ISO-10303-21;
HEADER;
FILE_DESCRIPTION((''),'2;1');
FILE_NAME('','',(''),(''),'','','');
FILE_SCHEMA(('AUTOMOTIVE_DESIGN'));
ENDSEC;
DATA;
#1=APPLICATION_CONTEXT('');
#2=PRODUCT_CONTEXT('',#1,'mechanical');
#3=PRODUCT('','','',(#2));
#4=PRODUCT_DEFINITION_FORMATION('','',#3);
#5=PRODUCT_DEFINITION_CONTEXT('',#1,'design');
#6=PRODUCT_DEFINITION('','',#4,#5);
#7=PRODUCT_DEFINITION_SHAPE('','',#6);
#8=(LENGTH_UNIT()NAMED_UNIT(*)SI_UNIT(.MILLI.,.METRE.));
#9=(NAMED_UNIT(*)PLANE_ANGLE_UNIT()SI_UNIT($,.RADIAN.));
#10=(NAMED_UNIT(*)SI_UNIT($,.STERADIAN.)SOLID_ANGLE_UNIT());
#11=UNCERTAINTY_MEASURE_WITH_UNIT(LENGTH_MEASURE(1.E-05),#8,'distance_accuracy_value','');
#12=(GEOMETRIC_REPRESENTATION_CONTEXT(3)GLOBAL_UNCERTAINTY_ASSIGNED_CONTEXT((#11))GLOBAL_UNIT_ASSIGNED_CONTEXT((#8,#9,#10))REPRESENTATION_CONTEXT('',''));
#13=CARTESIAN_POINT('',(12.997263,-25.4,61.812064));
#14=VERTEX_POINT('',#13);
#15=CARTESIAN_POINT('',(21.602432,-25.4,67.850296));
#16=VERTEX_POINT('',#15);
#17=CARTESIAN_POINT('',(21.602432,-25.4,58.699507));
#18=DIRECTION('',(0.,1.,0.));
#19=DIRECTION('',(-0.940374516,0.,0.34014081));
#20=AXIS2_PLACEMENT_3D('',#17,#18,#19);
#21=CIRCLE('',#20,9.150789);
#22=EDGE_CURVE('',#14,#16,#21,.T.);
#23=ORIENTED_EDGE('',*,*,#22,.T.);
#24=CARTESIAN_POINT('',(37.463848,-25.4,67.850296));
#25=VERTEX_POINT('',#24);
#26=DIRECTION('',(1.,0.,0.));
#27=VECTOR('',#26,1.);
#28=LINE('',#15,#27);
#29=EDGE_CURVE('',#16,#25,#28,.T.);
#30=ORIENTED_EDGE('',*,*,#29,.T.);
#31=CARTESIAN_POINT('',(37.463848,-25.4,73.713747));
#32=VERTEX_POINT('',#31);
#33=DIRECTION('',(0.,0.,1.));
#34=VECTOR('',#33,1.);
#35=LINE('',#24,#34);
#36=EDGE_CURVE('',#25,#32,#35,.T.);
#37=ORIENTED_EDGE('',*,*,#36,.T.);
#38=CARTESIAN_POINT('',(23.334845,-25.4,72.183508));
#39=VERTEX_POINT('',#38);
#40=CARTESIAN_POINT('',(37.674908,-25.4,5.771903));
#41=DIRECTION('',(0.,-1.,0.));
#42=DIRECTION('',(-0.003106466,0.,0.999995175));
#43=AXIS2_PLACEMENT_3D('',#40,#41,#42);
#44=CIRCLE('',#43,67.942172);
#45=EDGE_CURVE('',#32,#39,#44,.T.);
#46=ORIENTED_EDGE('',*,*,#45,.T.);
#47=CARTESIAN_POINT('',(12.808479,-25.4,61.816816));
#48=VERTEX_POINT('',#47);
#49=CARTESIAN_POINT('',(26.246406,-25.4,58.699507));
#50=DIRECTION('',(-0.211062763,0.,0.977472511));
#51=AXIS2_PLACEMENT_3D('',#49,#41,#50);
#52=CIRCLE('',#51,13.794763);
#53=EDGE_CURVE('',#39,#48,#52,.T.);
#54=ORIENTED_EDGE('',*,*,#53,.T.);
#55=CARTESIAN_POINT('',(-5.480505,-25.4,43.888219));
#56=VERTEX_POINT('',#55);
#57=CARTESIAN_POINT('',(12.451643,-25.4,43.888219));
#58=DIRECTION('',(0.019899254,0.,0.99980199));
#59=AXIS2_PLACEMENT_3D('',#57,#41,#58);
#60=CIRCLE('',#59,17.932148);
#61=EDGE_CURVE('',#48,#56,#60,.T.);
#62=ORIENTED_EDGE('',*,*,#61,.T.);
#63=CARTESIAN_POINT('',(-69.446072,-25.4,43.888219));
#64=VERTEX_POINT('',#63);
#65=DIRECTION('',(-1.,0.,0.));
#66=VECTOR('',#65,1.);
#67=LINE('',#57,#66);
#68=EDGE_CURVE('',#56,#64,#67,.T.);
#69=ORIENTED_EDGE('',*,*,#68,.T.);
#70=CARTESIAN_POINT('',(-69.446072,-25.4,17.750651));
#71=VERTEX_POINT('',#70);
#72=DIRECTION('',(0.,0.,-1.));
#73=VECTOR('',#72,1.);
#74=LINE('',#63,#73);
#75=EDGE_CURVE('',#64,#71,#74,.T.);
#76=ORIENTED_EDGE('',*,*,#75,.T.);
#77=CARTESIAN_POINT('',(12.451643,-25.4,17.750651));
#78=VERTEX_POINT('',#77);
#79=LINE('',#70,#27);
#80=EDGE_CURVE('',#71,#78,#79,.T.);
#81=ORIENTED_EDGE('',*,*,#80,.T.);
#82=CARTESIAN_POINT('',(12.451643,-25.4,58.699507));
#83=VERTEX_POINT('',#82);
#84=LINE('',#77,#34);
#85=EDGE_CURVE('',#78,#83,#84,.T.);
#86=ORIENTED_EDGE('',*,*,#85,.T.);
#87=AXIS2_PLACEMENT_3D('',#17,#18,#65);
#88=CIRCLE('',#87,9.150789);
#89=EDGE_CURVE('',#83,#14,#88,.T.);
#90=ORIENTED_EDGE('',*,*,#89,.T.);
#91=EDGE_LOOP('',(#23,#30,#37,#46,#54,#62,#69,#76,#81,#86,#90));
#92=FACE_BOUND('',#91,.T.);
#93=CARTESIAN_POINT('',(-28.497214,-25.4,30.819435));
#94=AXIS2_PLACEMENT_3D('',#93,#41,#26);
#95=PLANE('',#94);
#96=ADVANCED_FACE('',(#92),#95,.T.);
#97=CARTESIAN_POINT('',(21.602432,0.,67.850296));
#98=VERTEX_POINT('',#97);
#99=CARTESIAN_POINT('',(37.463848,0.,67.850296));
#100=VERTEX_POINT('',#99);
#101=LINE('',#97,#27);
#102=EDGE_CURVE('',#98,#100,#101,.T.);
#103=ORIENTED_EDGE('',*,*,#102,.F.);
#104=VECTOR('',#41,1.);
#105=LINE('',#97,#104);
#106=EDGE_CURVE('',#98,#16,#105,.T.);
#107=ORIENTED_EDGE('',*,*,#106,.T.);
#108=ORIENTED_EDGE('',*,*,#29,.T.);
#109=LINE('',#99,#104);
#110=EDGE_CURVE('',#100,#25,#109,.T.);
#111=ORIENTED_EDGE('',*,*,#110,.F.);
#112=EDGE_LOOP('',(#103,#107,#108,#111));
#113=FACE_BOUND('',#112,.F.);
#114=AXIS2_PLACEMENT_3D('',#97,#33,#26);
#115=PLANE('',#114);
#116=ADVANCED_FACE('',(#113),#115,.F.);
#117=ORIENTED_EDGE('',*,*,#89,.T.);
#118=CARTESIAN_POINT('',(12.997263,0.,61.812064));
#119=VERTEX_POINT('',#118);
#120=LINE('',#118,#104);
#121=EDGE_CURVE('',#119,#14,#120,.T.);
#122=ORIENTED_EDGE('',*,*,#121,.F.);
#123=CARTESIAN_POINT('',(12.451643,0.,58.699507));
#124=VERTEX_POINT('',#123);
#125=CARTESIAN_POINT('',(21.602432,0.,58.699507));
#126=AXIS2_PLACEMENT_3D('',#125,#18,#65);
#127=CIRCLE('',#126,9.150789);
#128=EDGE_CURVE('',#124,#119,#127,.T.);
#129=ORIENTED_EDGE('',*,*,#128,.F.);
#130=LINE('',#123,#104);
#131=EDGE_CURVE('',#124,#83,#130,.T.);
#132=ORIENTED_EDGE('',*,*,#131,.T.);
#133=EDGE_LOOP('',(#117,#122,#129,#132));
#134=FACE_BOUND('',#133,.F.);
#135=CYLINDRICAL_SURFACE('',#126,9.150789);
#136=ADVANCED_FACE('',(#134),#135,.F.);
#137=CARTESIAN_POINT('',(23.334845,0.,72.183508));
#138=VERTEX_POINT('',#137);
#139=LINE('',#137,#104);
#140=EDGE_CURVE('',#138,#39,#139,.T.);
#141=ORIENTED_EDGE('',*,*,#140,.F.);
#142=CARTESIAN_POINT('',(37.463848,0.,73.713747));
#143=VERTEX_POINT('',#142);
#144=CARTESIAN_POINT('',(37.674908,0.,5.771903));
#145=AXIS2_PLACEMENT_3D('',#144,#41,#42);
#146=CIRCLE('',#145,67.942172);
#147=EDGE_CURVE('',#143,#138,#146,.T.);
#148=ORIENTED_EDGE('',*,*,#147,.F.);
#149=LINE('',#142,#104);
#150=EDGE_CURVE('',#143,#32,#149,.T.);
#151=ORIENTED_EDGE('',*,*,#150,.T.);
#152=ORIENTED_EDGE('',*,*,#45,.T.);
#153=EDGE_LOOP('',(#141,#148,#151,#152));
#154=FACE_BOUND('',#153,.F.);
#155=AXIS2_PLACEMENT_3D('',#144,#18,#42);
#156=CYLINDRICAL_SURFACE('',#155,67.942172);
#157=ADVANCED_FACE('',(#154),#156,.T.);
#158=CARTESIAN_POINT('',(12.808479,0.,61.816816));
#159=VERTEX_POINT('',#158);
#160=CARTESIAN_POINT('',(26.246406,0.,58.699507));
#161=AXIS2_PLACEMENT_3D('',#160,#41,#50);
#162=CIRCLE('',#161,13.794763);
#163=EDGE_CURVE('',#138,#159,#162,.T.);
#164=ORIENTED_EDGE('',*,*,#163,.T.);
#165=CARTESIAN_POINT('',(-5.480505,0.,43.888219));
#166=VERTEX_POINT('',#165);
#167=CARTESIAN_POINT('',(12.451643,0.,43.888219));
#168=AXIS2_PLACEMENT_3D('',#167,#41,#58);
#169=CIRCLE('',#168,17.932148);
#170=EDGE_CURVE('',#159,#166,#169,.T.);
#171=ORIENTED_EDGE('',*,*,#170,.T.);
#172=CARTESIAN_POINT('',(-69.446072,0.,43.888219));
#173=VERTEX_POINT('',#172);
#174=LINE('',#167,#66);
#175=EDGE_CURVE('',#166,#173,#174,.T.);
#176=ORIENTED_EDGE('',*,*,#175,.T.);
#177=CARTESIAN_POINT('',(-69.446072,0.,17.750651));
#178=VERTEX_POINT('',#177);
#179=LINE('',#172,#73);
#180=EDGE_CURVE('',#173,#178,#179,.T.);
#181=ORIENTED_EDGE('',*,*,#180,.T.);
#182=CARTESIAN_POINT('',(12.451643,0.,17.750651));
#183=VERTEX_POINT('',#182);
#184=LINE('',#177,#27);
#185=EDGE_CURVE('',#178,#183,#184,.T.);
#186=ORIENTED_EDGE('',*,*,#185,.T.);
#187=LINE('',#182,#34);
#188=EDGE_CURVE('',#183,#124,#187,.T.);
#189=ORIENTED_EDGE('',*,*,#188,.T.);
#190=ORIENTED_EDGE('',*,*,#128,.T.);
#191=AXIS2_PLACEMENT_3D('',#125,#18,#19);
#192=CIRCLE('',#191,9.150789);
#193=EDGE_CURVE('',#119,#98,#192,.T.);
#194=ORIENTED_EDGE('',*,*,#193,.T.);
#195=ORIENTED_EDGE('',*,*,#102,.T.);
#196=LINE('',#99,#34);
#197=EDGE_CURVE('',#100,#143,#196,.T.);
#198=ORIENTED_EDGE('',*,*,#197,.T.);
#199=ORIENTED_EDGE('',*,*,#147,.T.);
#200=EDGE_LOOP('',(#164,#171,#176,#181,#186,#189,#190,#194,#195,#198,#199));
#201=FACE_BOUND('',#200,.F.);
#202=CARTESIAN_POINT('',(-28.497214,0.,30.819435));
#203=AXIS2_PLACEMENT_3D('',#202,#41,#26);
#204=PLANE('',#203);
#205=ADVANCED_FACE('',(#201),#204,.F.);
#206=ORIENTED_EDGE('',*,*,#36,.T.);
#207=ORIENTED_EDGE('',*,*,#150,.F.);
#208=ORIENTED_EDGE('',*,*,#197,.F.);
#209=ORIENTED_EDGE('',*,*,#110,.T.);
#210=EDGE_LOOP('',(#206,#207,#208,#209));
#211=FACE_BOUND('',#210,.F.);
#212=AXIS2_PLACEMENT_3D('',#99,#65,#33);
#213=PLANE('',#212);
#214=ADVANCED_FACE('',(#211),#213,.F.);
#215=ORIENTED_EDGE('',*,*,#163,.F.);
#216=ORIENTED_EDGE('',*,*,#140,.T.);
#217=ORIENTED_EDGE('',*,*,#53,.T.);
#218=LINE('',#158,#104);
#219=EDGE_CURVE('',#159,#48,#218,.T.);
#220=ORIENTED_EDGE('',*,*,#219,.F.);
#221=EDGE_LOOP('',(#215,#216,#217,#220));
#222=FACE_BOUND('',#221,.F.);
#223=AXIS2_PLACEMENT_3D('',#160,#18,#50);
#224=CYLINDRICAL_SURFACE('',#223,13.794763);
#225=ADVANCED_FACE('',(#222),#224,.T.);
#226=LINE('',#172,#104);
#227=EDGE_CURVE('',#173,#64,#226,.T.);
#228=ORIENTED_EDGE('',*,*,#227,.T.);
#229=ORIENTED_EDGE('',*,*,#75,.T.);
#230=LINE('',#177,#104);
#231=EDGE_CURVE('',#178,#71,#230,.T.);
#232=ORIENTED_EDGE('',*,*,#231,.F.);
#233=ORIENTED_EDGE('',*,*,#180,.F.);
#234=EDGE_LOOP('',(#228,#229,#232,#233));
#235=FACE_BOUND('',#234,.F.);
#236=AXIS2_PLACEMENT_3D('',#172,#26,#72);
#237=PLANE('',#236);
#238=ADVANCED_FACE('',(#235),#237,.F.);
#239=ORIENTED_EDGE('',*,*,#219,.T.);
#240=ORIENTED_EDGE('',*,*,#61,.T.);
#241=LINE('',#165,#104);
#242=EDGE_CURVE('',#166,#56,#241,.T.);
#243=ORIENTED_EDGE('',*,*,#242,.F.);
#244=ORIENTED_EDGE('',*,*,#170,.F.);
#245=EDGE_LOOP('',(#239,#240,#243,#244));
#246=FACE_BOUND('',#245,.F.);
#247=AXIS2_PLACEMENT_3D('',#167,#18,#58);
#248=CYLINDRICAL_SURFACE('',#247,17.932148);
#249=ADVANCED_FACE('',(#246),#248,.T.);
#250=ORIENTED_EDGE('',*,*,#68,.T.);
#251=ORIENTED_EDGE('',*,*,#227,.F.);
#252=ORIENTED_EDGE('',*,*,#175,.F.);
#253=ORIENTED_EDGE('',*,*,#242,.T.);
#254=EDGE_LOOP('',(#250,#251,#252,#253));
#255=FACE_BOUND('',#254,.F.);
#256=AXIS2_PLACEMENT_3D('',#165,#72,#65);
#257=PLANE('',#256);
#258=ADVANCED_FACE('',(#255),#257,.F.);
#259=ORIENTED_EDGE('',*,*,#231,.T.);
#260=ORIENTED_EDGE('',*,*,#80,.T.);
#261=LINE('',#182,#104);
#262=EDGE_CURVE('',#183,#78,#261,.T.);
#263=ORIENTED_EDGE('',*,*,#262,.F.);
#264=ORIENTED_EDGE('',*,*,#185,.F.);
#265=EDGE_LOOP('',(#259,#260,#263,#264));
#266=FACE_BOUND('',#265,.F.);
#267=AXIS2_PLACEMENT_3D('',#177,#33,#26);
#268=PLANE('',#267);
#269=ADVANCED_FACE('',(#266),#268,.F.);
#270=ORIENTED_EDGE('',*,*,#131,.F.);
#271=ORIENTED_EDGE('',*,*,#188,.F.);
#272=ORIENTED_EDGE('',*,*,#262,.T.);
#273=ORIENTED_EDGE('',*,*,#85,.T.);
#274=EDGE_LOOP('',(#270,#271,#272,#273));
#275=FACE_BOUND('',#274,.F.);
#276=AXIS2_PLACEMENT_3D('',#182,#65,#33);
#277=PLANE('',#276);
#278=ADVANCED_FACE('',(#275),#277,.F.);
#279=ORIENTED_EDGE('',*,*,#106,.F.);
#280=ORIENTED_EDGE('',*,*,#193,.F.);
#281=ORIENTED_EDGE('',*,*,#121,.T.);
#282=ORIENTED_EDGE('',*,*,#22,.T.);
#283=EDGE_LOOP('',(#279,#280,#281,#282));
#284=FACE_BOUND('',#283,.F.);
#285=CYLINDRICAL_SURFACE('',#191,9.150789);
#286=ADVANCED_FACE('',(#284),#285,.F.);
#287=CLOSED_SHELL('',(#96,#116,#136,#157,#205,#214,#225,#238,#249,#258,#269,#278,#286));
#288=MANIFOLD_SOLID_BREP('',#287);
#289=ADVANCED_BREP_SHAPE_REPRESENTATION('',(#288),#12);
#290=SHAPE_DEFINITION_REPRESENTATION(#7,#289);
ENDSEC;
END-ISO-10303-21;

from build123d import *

# Parameters (mm, degrees)
F1_DEPTH = 25.4


with BuildPart() as f1:
    # F0 (on Front) → F1 (new body)
    with BuildSketch(Plane.XZ):
        Polygon((-5.4805049415, 43.8882187009), (-69.4460719824, 43.8882187009), (-69.4460719824, 17.7506506443), (12.4516431242, 17.7506506443), (12.4516431242, 43.8882187009), align=None)
        with BuildLine():
            ThreePointArc((12.8084794992, 61.8168160262), (-0.1015057146, 56.6937014517), (-5.4805049415, 43.8882187009))
            Line((-5.4805049415, 43.8882187009), (12.4516431242, 43.8882187009))
            Line((12.4516431242, 43.8882187009), (12.4516431242, 58.6995072663))
            ThreePointArc((12.4516431242, 58.6995072663), (12.5411425509, 60.2683401209), (12.8084794992, 61.8168160262))
        make_face()
        with BuildLine():
            ThreePointArc((23.3348449459, 72.183508426), (16.5668649609, 68.5281371373), (12.8084794992, 61.8168160262))
            ThreePointArc((12.8084794992, 61.8168160262), (12.9028776825, 61.8146885604), (12.9972633549, 61.81206407))
            ThreePointArc((12.9972633549, 61.81206407), (16.3462648739, 66.1901444716), (21.6024321989, 67.8502963409))
            Line((21.6024321989, 67.8502963409), (37.4638475478, 67.8502963409))
            Line((37.4638475478, 67.8502963409), (37.4638475478, 73.7137471339))
            ThreePointArc((37.4638475478, 73.7137471339), (30.3592257705, 73.3190682295), (23.3348449459, 72.183508426))
        make_face()
        with BuildLine():
            ThreePointArc((12.9972633549, 61.81206407), (12.9028776825, 61.8146885604), (12.8084794992, 61.8168160262))
            ThreePointArc((12.8084794992, 61.8168160262), (12.5411425509, 60.2683401209), (12.4516431242, 58.6995072663))
            ThreePointArc((12.4516431242, 58.6995072663), (12.5890802771, 60.279516071), (12.9972633549, 61.81206407))
        make_face()
    extrude(amount=F1_DEPTH)


solid = f1.part
